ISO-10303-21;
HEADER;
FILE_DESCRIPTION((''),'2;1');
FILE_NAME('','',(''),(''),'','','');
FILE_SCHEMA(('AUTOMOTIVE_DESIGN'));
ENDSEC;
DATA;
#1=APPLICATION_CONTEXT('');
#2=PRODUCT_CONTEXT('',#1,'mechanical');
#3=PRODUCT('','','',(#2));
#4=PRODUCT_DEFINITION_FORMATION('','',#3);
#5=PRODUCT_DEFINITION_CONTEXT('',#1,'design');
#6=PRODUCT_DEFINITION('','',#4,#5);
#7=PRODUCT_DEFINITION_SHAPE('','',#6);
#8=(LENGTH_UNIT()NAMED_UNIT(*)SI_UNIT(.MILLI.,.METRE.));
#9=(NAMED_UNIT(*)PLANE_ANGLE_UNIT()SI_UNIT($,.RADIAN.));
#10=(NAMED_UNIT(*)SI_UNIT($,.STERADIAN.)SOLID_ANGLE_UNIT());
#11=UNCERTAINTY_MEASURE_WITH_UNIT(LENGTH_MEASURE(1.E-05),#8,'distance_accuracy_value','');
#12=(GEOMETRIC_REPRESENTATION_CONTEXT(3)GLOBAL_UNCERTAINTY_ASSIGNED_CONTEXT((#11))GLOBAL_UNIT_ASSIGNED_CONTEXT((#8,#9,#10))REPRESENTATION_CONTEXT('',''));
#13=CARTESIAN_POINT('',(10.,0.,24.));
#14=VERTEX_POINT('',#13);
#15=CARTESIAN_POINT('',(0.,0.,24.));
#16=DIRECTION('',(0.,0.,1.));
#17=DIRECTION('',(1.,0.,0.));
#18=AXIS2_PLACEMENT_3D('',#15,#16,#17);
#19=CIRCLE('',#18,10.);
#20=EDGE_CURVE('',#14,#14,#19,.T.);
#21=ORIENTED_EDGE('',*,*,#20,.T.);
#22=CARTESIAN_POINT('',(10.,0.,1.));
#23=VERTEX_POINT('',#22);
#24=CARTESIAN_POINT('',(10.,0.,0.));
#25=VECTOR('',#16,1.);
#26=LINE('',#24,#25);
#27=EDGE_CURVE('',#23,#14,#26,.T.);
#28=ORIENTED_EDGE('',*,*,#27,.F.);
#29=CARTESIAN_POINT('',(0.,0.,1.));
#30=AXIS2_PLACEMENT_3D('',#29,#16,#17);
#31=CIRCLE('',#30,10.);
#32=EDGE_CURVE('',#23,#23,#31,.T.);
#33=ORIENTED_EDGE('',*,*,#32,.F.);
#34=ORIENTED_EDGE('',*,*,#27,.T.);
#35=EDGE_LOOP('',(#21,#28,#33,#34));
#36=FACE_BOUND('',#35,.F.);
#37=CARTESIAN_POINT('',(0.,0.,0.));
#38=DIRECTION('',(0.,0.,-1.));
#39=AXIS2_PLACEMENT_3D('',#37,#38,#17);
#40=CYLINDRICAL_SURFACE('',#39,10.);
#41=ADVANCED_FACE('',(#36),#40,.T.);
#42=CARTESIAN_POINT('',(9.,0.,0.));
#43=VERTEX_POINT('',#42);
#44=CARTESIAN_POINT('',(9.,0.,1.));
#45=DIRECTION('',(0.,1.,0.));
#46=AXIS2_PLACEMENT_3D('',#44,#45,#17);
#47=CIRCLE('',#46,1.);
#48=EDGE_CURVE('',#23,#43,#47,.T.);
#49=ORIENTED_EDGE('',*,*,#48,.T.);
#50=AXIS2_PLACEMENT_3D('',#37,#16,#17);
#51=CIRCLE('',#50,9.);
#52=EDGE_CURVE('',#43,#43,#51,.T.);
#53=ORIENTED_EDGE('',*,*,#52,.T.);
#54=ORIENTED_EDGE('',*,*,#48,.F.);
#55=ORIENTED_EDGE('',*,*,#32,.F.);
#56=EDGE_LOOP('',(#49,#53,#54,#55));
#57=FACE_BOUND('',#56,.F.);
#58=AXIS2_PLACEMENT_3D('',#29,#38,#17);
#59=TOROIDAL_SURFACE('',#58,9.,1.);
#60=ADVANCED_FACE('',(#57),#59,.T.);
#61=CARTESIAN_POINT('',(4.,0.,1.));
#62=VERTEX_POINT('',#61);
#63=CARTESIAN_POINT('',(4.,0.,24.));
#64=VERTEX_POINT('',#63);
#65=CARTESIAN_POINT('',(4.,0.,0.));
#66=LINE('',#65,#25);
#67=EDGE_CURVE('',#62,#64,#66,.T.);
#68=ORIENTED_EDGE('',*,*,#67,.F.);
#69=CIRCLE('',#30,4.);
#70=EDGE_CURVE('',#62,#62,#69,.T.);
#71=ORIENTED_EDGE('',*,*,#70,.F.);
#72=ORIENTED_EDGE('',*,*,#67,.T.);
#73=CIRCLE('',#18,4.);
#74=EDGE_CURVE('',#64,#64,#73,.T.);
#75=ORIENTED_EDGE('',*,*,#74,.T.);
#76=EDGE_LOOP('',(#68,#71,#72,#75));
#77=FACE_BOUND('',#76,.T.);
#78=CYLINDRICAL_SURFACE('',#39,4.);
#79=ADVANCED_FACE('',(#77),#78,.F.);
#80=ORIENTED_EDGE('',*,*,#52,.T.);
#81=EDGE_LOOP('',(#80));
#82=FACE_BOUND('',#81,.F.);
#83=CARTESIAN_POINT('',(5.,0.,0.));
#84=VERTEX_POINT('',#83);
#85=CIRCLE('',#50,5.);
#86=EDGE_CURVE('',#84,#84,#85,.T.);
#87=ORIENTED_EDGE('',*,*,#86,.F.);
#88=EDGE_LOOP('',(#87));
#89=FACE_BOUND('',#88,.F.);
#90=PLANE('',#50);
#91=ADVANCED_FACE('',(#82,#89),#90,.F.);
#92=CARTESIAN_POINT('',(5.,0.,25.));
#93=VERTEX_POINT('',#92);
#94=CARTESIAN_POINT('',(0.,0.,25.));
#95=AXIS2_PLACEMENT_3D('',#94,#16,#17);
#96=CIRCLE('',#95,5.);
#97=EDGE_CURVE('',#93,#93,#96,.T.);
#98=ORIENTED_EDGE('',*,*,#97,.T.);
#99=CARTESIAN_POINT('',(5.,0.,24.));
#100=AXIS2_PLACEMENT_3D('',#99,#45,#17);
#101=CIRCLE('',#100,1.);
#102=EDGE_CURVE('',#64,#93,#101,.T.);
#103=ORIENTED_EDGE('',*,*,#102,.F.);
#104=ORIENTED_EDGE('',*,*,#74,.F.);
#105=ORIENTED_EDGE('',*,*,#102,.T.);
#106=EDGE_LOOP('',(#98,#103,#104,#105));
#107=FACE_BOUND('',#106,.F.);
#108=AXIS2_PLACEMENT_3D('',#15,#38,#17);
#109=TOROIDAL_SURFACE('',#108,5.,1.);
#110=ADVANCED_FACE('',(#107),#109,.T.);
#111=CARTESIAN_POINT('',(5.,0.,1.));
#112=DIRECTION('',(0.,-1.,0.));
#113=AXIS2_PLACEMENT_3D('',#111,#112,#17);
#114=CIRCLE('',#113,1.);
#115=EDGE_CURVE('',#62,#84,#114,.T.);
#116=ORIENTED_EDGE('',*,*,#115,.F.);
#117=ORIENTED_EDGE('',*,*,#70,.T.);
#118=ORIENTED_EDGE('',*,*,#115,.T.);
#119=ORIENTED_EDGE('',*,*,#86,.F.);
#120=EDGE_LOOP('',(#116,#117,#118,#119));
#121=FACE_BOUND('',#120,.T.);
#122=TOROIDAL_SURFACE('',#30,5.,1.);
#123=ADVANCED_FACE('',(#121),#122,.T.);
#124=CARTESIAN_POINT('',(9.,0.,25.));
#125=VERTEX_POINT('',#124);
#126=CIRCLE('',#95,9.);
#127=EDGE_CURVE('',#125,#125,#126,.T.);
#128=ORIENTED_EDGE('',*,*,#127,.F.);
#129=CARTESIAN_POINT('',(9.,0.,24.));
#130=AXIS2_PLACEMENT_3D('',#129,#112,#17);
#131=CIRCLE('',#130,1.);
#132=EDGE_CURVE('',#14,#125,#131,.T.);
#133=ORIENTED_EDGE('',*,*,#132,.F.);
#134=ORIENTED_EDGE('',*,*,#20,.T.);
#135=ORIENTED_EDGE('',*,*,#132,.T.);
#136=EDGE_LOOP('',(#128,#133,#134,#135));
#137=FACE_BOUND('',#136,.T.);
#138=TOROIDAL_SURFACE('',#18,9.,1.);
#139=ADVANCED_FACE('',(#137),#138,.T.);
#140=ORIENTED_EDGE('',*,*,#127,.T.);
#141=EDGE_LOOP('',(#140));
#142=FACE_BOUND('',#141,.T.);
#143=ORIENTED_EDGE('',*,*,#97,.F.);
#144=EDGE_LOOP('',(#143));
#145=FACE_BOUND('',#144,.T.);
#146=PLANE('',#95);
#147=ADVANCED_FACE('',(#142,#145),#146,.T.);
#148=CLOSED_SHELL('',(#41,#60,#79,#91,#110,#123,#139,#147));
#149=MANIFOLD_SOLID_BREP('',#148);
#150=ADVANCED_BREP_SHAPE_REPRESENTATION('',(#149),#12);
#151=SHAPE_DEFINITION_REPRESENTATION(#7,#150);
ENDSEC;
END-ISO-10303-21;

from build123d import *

# Parameters (mm, degrees)
F0_R     = 10
F0_R_2   = 4
F1_DEPTH = 25
F2_R     = 1


with BuildPart() as f1:
    # F0 (on Top) → F1 (new body)
    with BuildSketch(Plane.XY):
        Circle(F0_R)
        Circle(F0_R_2, mode=Mode.SUBTRACT)
    extrude(amount=F1_DEPTH)

    # F2
    f2_edges = [f1.edges().sort_by_distance(p)[0] for p in [
        (10, 0, 12.5),
        (-10, 0, 0),
        (-10, 0, 25),
        (4, 0, 12.5),
        (-4, 0, 0),
        (-4, 0, 25),
    ]]
    fillet(f2_edges, radius=F2_R)


solid = f1.part
